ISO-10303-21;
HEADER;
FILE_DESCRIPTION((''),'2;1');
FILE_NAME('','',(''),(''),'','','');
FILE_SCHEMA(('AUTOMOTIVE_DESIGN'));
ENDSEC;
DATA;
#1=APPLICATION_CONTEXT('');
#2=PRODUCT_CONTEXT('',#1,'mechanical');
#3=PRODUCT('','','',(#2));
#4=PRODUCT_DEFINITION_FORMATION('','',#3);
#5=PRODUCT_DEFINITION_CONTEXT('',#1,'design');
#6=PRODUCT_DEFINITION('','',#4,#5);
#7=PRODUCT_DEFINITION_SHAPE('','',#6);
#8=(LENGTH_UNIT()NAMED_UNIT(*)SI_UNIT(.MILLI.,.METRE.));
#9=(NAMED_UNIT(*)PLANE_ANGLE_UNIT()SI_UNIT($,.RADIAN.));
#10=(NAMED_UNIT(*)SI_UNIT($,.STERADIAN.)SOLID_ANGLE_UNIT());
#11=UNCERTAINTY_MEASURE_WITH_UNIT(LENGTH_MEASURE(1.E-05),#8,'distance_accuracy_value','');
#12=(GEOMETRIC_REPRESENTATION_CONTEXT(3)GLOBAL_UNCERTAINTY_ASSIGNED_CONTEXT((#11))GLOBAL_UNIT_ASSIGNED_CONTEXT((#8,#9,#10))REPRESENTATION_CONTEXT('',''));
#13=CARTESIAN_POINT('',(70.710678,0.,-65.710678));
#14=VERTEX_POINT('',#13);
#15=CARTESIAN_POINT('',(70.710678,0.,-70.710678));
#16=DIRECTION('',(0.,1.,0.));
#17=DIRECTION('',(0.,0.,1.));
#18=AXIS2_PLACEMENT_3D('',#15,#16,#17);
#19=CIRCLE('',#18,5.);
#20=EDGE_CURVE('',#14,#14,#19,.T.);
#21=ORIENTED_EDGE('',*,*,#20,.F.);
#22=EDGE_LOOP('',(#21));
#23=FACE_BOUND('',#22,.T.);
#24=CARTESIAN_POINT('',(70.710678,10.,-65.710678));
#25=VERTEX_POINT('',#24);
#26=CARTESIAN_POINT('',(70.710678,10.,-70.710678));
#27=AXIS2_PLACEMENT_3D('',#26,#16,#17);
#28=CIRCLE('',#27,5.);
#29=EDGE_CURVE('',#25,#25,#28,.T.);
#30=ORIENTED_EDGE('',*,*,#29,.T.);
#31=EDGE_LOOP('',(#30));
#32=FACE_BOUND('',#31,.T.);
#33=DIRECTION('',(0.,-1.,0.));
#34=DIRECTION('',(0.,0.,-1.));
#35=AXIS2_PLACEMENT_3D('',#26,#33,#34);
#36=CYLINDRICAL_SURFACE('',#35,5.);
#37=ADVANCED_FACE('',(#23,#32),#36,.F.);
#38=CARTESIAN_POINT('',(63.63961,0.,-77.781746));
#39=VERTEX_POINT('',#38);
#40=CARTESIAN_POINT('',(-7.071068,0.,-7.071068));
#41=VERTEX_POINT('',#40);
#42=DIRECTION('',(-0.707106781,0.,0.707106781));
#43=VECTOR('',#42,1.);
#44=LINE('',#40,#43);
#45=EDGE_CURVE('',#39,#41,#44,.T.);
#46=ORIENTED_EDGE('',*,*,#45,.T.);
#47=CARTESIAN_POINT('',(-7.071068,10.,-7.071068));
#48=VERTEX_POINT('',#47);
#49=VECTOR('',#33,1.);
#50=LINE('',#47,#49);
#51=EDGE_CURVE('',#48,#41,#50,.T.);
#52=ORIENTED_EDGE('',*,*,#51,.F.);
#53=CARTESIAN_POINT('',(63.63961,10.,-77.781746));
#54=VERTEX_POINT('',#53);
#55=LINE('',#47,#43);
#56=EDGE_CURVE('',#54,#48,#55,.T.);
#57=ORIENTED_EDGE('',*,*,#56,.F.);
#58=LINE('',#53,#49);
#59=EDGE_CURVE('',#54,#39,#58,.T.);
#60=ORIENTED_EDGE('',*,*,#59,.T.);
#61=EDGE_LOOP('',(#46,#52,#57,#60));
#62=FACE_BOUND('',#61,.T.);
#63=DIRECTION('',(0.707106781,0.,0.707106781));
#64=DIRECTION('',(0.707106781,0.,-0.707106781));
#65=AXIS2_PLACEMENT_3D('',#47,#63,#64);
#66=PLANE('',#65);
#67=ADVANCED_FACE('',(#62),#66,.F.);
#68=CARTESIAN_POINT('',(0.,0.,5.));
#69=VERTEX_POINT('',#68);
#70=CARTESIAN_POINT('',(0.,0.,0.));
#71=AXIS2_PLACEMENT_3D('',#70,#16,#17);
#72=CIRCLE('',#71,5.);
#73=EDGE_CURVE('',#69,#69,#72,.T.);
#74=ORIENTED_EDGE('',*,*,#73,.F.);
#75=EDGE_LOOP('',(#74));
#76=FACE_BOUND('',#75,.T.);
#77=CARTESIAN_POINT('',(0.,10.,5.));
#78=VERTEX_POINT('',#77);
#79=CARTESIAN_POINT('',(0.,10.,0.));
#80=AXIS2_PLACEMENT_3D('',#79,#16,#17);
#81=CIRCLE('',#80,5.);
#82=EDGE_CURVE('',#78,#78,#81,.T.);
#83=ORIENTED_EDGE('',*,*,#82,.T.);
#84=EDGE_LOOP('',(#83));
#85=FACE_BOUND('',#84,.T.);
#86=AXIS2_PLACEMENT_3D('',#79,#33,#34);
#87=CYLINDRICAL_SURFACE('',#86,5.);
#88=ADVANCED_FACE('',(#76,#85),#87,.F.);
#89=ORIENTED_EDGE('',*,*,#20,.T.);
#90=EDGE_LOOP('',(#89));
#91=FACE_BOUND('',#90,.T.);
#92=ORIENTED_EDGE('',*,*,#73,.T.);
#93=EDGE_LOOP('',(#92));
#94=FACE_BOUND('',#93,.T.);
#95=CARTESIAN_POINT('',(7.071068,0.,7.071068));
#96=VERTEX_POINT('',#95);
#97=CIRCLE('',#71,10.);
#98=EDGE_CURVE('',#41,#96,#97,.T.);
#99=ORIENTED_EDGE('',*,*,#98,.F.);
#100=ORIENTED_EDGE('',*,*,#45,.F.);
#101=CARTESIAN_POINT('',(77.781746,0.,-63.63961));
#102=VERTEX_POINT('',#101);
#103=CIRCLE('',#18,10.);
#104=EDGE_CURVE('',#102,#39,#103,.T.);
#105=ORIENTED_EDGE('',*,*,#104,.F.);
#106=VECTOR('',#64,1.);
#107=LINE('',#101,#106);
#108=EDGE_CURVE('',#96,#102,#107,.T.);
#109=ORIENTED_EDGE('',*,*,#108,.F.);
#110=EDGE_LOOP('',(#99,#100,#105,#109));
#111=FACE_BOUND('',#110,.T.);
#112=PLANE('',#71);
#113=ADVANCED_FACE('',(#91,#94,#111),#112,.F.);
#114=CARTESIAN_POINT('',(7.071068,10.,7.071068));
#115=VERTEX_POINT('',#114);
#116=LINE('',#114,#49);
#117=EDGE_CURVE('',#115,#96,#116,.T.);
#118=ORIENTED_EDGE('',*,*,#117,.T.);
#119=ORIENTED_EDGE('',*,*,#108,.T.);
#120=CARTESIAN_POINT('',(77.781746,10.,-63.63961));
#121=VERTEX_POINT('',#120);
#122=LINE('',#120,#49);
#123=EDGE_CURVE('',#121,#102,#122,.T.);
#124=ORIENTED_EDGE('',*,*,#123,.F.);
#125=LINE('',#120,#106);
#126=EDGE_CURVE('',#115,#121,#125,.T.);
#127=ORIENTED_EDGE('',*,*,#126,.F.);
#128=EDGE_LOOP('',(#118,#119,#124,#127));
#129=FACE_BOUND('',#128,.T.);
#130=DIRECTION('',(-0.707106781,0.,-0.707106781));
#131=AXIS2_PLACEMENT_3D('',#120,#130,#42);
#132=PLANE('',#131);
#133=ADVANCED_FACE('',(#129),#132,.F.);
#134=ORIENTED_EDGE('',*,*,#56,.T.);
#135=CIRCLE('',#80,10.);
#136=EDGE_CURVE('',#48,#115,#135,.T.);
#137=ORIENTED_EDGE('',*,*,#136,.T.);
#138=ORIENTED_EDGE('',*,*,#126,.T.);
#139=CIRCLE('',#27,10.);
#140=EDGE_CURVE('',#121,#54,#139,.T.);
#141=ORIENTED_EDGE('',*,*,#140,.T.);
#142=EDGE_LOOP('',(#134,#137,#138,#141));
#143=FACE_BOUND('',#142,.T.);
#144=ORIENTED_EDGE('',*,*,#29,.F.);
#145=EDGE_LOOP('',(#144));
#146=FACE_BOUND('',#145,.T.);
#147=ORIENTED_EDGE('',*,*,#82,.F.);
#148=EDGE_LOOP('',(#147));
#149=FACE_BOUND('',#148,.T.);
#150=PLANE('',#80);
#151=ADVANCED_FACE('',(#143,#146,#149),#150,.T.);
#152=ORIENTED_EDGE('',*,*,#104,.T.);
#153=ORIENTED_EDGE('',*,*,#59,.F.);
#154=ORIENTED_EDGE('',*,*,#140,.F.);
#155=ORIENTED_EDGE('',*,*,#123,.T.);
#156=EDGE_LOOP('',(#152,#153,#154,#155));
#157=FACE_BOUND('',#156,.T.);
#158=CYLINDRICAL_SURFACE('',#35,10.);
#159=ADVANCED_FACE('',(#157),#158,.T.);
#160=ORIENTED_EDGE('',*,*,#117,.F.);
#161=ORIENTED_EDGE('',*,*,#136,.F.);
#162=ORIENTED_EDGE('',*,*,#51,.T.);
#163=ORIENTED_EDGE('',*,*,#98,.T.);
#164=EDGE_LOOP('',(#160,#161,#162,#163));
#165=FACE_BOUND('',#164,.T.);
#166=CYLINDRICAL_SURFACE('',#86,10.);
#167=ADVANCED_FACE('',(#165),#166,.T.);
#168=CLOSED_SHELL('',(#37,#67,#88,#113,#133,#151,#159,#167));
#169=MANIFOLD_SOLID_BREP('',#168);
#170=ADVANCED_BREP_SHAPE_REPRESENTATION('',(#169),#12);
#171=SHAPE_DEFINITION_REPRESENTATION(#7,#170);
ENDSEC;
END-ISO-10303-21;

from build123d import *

# Parameters (mm, degrees)
SKETCH1_R           = 5
BOSS_EXTRUDE1_DEPTH = 10


with BuildPart() as part:
    # Sketch1 → Boss-Extrude1 (new body)
    with BuildSketch(Plane(origin=(0, 0, 0), x_dir=(1, 0, 0), z_dir=(0, 1, 0))):
        with BuildLine():
            Line((-7.071067812, 7.071067812), (63.639610307, 77.781745931))
            ThreePointArc((63.639610307, 77.781745931), (77.781745931, 77.781745931), (77.781745931, 63.639610307))
            Line((77.781745931, 63.639610307), (7.071067812, -7.071067812))
            ThreePointArc((7.071067812, -7.071067812), (-7.071067812, -7.071067812), (-7.071067812, 7.071067812))
        make_face()
        with Locations(Location((0, 0, 0), (0, 0, 270))):
            Circle(SKETCH1_R, mode=Mode.SUBTRACT)
        with Locations(Location((70.710678119, 70.710678119, 0), (0, 0, 270))):
            Circle(SKETCH1_R, mode=Mode.SUBTRACT)
    extrude(amount=BOSS_EXTRUDE1_DEPTH)


solid = part.part
